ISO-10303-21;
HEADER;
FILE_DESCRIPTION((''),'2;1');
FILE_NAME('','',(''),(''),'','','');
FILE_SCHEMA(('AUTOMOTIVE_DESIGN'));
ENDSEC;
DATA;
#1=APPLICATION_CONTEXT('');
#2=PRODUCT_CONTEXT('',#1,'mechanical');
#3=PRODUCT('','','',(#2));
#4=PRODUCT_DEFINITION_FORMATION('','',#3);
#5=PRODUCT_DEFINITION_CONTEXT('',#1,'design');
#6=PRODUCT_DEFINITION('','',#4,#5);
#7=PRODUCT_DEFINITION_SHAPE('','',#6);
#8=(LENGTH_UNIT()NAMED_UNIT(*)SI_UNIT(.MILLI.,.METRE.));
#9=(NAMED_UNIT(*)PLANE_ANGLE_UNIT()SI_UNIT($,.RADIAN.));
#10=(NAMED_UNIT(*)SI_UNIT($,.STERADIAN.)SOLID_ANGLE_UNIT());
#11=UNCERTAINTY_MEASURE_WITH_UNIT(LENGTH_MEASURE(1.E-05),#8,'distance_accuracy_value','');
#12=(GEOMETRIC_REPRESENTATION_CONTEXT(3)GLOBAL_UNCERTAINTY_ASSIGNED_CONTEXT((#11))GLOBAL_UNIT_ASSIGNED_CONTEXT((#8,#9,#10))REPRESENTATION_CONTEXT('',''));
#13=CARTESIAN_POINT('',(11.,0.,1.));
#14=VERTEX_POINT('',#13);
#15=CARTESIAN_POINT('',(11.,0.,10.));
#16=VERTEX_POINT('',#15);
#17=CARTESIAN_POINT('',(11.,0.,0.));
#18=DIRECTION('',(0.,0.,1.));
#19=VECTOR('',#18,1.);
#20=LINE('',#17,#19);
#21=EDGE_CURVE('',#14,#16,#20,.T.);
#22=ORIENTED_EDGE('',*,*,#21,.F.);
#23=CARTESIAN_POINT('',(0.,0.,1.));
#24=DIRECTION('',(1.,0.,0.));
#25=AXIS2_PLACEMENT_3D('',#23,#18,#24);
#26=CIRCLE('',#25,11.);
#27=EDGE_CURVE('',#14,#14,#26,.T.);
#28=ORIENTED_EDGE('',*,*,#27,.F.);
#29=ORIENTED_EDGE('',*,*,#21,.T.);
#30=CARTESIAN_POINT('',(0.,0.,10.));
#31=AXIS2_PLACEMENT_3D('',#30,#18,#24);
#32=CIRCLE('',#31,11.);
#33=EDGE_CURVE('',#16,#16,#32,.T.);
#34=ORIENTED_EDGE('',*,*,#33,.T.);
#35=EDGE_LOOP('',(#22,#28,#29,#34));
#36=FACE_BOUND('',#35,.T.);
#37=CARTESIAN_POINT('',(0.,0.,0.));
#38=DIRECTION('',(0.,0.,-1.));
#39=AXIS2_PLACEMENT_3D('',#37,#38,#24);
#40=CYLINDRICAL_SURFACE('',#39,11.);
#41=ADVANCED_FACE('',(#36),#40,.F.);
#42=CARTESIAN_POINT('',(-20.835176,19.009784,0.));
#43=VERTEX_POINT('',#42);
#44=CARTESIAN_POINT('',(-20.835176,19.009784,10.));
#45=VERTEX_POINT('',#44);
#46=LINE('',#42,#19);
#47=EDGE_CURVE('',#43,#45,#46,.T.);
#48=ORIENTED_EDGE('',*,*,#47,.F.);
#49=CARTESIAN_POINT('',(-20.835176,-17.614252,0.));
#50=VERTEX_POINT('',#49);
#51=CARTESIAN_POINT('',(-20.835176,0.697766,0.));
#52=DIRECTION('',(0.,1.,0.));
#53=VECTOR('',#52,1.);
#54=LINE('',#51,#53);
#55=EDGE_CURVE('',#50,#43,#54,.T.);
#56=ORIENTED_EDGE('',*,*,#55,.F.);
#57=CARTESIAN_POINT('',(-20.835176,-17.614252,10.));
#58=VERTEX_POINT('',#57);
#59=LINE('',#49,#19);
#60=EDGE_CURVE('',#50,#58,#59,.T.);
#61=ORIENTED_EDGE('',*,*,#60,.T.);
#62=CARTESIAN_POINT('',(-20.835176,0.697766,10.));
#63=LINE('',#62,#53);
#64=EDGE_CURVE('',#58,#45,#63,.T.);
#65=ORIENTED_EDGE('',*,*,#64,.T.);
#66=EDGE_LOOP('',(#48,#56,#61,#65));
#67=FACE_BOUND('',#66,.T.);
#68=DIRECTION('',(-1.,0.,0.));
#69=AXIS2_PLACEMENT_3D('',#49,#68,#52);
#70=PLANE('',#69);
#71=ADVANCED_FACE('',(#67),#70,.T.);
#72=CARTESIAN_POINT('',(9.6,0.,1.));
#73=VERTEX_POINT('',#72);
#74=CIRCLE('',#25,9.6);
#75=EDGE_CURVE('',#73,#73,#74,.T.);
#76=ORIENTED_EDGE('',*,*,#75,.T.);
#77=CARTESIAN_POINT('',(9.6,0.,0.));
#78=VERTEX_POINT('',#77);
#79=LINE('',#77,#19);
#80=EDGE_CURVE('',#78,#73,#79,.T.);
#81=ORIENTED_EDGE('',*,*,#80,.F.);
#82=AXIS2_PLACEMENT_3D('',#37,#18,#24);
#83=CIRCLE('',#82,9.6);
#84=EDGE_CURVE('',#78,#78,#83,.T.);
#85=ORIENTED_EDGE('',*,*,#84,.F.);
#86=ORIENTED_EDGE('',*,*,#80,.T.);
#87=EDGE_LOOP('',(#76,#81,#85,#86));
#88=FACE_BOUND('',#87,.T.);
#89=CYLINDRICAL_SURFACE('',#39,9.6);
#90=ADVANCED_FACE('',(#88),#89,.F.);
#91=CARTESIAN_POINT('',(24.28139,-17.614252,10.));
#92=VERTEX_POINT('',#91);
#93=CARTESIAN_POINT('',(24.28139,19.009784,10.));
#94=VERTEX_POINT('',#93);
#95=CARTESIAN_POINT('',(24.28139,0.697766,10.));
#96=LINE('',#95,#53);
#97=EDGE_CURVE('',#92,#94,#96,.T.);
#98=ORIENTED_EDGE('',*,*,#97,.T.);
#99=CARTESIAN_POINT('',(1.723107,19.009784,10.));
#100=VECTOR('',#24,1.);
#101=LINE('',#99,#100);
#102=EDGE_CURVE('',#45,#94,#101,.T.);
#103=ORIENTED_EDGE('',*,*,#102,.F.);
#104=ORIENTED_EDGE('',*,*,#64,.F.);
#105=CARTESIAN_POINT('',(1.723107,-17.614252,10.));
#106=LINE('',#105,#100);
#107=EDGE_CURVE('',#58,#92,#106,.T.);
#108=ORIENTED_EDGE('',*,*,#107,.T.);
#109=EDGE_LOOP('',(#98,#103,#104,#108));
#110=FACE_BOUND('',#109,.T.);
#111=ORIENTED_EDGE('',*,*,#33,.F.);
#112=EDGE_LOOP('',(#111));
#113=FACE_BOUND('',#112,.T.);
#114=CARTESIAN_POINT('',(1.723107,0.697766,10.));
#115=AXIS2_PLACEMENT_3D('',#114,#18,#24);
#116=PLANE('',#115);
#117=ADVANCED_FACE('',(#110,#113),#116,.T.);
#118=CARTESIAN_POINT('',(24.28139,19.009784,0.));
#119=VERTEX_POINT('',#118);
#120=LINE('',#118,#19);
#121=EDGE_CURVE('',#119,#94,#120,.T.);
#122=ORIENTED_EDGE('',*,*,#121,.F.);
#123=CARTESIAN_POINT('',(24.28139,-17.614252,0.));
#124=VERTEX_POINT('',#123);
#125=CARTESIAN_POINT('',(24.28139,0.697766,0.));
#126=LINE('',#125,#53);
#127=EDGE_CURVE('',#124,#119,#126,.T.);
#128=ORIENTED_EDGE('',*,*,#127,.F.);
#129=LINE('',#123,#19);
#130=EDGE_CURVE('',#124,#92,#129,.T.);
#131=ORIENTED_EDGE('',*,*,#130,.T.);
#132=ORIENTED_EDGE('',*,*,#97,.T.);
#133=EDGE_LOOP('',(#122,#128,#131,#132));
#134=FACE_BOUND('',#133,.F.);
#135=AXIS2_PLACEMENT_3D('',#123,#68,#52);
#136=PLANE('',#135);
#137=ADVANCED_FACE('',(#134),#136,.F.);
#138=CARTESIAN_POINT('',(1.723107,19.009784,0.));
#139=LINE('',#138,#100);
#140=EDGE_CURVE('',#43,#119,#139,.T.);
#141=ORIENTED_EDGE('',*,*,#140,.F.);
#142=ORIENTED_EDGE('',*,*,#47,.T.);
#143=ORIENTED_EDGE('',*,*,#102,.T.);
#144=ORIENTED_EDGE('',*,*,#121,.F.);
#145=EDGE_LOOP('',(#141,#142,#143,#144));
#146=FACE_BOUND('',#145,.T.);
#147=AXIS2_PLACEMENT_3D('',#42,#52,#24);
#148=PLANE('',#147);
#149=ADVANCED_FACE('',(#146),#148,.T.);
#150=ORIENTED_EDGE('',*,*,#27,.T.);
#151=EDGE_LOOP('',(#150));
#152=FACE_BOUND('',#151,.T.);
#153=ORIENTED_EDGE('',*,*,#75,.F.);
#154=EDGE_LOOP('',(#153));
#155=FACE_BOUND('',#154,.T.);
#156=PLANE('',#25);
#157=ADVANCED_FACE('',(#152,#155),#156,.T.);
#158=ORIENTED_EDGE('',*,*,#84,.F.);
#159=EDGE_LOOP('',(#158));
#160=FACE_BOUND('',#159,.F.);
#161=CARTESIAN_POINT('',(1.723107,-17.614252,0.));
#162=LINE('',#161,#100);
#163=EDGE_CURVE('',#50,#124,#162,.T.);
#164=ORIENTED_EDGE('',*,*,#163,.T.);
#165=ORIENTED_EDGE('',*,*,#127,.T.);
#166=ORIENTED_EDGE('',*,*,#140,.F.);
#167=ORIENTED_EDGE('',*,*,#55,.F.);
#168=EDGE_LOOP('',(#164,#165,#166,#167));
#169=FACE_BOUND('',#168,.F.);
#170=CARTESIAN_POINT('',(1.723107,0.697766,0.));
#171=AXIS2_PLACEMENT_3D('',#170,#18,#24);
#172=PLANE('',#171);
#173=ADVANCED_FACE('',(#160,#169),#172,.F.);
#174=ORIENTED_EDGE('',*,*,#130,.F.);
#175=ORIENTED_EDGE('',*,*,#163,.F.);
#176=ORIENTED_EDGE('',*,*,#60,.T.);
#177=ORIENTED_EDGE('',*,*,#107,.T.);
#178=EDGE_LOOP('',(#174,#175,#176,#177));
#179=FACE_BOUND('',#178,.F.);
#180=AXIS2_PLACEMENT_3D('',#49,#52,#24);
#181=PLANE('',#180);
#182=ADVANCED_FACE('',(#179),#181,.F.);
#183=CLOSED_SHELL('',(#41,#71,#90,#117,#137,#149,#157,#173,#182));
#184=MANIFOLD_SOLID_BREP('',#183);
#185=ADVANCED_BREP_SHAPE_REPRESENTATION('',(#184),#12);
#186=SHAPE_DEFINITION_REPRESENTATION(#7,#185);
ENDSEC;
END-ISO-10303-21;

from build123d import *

# Parameters (mm, degrees)
F0_R     = 11
F0_R_2   = 9.6
F1_DEPTH = 1
F0_W     = 45.116566
F0_H     = 36.624037
F2_DEPTH = 10


with BuildPart() as f1:
    # F0 (on Top) → F1 (new body)
    with BuildSketch(Plane.XY):
        Circle(F0_R)
        Circle(F0_R_2, mode=Mode.SUBTRACT)
    extrude(amount=F1_DEPTH)

    # F0 (on Top) → F2 (join)
    with BuildSketch(Plane.XY):
        with Locations((1.723107, 0.697766)):
            Rectangle(F0_W, F0_H)
        Circle(F0_R, mode=Mode.SUBTRACT)
    extrude(amount=F2_DEPTH)


solid = f1.part
